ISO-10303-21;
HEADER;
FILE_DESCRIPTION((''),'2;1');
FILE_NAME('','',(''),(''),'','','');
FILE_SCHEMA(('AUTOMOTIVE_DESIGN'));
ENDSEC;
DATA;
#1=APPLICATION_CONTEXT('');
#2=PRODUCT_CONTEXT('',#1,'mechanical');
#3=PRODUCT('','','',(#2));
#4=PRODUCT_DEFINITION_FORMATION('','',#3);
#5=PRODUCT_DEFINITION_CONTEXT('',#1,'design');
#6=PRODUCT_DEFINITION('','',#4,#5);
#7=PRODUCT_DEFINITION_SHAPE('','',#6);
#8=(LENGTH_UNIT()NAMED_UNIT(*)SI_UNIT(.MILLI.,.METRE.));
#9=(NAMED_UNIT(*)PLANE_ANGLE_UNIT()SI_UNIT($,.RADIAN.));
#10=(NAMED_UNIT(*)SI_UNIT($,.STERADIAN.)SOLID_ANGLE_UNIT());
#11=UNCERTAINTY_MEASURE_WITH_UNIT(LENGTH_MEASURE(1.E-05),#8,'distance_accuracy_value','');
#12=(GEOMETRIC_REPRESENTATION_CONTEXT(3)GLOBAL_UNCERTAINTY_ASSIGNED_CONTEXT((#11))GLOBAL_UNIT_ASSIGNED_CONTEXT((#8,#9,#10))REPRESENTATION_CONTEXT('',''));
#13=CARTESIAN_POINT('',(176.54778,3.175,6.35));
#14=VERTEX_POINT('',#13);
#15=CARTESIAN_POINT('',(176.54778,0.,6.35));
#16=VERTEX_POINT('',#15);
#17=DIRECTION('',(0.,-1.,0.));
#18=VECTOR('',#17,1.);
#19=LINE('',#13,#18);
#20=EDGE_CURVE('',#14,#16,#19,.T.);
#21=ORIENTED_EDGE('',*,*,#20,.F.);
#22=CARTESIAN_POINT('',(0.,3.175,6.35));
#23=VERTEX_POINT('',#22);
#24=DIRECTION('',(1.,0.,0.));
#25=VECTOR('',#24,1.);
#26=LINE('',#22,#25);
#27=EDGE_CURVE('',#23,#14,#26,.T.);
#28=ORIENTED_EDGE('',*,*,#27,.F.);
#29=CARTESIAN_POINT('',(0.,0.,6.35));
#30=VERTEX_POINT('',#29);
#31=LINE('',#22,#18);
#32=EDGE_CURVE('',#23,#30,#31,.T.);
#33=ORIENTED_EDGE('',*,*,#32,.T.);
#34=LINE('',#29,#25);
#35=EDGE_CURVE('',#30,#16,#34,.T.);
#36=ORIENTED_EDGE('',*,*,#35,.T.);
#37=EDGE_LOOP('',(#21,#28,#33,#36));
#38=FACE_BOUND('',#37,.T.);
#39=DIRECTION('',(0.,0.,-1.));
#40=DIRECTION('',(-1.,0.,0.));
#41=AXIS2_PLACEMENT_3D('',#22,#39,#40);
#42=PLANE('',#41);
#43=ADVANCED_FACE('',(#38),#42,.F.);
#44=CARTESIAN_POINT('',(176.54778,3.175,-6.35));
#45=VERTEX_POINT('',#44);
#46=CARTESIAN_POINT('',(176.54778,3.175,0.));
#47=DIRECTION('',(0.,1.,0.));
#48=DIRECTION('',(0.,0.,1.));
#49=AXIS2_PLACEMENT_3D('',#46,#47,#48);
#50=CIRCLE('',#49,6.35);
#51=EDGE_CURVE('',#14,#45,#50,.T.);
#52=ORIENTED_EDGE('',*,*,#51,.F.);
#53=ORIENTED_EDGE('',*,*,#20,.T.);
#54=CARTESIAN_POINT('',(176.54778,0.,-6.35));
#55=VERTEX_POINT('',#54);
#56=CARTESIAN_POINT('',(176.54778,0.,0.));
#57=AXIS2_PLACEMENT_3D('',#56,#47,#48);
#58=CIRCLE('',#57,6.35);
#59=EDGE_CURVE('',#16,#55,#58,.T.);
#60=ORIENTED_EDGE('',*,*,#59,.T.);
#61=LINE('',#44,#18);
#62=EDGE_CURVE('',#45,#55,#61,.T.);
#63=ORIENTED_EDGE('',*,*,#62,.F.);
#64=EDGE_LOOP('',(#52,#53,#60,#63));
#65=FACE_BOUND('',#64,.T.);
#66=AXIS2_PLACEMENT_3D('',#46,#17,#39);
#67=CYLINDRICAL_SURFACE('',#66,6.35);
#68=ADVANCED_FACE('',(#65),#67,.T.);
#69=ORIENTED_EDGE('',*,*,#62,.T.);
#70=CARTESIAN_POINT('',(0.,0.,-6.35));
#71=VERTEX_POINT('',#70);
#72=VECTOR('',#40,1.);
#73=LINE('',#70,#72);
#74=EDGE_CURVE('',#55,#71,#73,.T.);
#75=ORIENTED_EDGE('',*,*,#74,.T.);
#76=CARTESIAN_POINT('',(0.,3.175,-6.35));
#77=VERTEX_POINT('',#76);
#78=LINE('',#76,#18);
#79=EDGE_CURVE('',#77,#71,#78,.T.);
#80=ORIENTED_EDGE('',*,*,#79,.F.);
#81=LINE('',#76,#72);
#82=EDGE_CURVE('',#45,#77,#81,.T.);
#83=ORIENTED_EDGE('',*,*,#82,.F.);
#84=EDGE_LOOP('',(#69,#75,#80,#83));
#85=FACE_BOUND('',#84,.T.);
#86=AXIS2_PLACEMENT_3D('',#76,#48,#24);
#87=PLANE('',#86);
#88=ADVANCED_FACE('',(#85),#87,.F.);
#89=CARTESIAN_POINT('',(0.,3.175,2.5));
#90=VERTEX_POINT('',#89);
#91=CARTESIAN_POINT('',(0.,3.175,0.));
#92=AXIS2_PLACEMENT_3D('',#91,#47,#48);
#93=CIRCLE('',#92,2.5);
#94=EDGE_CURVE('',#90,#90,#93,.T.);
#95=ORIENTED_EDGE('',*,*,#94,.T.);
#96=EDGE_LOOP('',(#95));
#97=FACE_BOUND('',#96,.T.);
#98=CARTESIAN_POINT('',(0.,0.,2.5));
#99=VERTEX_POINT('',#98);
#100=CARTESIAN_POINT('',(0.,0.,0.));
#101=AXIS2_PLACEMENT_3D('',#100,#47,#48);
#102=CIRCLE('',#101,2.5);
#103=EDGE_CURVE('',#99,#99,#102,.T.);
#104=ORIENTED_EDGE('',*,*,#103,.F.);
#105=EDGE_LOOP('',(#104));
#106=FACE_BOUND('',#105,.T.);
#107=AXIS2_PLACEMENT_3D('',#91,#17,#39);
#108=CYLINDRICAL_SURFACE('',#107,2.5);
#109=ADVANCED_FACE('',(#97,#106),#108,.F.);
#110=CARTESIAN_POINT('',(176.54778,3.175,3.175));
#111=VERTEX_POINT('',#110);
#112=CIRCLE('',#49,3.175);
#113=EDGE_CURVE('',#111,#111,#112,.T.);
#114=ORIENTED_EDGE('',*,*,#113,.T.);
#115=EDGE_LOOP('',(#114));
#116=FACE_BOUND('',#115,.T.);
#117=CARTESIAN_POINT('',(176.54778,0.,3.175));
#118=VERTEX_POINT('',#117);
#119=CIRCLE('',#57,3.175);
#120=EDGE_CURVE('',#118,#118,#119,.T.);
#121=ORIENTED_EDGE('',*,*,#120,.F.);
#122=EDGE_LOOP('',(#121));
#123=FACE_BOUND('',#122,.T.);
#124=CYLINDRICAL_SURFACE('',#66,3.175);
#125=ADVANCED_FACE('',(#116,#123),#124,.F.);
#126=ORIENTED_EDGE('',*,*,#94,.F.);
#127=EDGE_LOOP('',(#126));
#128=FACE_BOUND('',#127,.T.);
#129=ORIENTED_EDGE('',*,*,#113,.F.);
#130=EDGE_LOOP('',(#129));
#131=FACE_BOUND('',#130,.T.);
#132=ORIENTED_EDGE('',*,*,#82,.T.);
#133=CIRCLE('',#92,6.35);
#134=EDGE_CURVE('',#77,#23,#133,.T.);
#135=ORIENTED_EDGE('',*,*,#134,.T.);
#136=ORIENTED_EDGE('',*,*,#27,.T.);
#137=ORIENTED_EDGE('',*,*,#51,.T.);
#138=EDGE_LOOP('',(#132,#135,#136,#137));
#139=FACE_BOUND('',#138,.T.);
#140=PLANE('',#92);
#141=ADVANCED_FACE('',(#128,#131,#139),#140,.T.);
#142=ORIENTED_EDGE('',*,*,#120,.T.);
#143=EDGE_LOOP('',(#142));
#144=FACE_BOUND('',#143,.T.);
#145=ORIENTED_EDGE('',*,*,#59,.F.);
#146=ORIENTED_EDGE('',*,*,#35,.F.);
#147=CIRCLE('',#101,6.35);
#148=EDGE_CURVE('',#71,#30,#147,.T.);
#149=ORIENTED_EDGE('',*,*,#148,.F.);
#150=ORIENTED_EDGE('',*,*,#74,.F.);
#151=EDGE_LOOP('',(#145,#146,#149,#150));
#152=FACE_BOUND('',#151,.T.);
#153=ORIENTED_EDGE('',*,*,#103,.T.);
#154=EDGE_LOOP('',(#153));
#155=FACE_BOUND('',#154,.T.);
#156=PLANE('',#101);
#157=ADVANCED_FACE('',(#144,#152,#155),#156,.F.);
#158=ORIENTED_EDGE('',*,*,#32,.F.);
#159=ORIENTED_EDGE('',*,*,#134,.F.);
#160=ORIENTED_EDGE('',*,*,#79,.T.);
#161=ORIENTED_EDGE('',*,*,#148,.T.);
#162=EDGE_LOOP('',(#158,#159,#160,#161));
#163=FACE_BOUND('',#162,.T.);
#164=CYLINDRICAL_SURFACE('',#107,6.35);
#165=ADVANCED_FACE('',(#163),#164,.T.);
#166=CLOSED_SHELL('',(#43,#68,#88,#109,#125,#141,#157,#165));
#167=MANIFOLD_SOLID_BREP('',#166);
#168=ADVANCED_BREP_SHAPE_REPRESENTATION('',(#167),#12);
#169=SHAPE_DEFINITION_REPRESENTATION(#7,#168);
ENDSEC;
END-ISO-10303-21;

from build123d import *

# Parameters (mm, degrees)
SKETCH1_R           = 2.5
SKETCH1_R_2         = 3.175
BOSS_EXTRUDE1_DEPTH = 3.175


with BuildPart() as part:
    # Sketch1 → Boss-Extrude1 (new body)
    with BuildSketch(Plane(origin=(0, 0, 0), x_dir=(1, 0, 0), z_dir=(0, 1, 0))):
        with BuildLine():
            Line((0, 6.35), (176.54778, 6.35))
            ThreePointArc((176.54778, 6.35), (182.89778, 0), (176.54778, -6.35))
            Line((176.54778, -6.35), (0, -6.35))
            ThreePointArc((0, -6.35), (-6.35, 0), (0, 6.35))
        make_face()
        with Locations(Location((0, 0, 0), (0, 0, 270))):
            Circle(SKETCH1_R, mode=Mode.SUBTRACT)
        with Locations(Location((176.54778, 0, 0), (0, 0, 270))):
            Circle(SKETCH1_R_2, mode=Mode.SUBTRACT)
    extrude(amount=BOSS_EXTRUDE1_DEPTH)


solid = part.part
